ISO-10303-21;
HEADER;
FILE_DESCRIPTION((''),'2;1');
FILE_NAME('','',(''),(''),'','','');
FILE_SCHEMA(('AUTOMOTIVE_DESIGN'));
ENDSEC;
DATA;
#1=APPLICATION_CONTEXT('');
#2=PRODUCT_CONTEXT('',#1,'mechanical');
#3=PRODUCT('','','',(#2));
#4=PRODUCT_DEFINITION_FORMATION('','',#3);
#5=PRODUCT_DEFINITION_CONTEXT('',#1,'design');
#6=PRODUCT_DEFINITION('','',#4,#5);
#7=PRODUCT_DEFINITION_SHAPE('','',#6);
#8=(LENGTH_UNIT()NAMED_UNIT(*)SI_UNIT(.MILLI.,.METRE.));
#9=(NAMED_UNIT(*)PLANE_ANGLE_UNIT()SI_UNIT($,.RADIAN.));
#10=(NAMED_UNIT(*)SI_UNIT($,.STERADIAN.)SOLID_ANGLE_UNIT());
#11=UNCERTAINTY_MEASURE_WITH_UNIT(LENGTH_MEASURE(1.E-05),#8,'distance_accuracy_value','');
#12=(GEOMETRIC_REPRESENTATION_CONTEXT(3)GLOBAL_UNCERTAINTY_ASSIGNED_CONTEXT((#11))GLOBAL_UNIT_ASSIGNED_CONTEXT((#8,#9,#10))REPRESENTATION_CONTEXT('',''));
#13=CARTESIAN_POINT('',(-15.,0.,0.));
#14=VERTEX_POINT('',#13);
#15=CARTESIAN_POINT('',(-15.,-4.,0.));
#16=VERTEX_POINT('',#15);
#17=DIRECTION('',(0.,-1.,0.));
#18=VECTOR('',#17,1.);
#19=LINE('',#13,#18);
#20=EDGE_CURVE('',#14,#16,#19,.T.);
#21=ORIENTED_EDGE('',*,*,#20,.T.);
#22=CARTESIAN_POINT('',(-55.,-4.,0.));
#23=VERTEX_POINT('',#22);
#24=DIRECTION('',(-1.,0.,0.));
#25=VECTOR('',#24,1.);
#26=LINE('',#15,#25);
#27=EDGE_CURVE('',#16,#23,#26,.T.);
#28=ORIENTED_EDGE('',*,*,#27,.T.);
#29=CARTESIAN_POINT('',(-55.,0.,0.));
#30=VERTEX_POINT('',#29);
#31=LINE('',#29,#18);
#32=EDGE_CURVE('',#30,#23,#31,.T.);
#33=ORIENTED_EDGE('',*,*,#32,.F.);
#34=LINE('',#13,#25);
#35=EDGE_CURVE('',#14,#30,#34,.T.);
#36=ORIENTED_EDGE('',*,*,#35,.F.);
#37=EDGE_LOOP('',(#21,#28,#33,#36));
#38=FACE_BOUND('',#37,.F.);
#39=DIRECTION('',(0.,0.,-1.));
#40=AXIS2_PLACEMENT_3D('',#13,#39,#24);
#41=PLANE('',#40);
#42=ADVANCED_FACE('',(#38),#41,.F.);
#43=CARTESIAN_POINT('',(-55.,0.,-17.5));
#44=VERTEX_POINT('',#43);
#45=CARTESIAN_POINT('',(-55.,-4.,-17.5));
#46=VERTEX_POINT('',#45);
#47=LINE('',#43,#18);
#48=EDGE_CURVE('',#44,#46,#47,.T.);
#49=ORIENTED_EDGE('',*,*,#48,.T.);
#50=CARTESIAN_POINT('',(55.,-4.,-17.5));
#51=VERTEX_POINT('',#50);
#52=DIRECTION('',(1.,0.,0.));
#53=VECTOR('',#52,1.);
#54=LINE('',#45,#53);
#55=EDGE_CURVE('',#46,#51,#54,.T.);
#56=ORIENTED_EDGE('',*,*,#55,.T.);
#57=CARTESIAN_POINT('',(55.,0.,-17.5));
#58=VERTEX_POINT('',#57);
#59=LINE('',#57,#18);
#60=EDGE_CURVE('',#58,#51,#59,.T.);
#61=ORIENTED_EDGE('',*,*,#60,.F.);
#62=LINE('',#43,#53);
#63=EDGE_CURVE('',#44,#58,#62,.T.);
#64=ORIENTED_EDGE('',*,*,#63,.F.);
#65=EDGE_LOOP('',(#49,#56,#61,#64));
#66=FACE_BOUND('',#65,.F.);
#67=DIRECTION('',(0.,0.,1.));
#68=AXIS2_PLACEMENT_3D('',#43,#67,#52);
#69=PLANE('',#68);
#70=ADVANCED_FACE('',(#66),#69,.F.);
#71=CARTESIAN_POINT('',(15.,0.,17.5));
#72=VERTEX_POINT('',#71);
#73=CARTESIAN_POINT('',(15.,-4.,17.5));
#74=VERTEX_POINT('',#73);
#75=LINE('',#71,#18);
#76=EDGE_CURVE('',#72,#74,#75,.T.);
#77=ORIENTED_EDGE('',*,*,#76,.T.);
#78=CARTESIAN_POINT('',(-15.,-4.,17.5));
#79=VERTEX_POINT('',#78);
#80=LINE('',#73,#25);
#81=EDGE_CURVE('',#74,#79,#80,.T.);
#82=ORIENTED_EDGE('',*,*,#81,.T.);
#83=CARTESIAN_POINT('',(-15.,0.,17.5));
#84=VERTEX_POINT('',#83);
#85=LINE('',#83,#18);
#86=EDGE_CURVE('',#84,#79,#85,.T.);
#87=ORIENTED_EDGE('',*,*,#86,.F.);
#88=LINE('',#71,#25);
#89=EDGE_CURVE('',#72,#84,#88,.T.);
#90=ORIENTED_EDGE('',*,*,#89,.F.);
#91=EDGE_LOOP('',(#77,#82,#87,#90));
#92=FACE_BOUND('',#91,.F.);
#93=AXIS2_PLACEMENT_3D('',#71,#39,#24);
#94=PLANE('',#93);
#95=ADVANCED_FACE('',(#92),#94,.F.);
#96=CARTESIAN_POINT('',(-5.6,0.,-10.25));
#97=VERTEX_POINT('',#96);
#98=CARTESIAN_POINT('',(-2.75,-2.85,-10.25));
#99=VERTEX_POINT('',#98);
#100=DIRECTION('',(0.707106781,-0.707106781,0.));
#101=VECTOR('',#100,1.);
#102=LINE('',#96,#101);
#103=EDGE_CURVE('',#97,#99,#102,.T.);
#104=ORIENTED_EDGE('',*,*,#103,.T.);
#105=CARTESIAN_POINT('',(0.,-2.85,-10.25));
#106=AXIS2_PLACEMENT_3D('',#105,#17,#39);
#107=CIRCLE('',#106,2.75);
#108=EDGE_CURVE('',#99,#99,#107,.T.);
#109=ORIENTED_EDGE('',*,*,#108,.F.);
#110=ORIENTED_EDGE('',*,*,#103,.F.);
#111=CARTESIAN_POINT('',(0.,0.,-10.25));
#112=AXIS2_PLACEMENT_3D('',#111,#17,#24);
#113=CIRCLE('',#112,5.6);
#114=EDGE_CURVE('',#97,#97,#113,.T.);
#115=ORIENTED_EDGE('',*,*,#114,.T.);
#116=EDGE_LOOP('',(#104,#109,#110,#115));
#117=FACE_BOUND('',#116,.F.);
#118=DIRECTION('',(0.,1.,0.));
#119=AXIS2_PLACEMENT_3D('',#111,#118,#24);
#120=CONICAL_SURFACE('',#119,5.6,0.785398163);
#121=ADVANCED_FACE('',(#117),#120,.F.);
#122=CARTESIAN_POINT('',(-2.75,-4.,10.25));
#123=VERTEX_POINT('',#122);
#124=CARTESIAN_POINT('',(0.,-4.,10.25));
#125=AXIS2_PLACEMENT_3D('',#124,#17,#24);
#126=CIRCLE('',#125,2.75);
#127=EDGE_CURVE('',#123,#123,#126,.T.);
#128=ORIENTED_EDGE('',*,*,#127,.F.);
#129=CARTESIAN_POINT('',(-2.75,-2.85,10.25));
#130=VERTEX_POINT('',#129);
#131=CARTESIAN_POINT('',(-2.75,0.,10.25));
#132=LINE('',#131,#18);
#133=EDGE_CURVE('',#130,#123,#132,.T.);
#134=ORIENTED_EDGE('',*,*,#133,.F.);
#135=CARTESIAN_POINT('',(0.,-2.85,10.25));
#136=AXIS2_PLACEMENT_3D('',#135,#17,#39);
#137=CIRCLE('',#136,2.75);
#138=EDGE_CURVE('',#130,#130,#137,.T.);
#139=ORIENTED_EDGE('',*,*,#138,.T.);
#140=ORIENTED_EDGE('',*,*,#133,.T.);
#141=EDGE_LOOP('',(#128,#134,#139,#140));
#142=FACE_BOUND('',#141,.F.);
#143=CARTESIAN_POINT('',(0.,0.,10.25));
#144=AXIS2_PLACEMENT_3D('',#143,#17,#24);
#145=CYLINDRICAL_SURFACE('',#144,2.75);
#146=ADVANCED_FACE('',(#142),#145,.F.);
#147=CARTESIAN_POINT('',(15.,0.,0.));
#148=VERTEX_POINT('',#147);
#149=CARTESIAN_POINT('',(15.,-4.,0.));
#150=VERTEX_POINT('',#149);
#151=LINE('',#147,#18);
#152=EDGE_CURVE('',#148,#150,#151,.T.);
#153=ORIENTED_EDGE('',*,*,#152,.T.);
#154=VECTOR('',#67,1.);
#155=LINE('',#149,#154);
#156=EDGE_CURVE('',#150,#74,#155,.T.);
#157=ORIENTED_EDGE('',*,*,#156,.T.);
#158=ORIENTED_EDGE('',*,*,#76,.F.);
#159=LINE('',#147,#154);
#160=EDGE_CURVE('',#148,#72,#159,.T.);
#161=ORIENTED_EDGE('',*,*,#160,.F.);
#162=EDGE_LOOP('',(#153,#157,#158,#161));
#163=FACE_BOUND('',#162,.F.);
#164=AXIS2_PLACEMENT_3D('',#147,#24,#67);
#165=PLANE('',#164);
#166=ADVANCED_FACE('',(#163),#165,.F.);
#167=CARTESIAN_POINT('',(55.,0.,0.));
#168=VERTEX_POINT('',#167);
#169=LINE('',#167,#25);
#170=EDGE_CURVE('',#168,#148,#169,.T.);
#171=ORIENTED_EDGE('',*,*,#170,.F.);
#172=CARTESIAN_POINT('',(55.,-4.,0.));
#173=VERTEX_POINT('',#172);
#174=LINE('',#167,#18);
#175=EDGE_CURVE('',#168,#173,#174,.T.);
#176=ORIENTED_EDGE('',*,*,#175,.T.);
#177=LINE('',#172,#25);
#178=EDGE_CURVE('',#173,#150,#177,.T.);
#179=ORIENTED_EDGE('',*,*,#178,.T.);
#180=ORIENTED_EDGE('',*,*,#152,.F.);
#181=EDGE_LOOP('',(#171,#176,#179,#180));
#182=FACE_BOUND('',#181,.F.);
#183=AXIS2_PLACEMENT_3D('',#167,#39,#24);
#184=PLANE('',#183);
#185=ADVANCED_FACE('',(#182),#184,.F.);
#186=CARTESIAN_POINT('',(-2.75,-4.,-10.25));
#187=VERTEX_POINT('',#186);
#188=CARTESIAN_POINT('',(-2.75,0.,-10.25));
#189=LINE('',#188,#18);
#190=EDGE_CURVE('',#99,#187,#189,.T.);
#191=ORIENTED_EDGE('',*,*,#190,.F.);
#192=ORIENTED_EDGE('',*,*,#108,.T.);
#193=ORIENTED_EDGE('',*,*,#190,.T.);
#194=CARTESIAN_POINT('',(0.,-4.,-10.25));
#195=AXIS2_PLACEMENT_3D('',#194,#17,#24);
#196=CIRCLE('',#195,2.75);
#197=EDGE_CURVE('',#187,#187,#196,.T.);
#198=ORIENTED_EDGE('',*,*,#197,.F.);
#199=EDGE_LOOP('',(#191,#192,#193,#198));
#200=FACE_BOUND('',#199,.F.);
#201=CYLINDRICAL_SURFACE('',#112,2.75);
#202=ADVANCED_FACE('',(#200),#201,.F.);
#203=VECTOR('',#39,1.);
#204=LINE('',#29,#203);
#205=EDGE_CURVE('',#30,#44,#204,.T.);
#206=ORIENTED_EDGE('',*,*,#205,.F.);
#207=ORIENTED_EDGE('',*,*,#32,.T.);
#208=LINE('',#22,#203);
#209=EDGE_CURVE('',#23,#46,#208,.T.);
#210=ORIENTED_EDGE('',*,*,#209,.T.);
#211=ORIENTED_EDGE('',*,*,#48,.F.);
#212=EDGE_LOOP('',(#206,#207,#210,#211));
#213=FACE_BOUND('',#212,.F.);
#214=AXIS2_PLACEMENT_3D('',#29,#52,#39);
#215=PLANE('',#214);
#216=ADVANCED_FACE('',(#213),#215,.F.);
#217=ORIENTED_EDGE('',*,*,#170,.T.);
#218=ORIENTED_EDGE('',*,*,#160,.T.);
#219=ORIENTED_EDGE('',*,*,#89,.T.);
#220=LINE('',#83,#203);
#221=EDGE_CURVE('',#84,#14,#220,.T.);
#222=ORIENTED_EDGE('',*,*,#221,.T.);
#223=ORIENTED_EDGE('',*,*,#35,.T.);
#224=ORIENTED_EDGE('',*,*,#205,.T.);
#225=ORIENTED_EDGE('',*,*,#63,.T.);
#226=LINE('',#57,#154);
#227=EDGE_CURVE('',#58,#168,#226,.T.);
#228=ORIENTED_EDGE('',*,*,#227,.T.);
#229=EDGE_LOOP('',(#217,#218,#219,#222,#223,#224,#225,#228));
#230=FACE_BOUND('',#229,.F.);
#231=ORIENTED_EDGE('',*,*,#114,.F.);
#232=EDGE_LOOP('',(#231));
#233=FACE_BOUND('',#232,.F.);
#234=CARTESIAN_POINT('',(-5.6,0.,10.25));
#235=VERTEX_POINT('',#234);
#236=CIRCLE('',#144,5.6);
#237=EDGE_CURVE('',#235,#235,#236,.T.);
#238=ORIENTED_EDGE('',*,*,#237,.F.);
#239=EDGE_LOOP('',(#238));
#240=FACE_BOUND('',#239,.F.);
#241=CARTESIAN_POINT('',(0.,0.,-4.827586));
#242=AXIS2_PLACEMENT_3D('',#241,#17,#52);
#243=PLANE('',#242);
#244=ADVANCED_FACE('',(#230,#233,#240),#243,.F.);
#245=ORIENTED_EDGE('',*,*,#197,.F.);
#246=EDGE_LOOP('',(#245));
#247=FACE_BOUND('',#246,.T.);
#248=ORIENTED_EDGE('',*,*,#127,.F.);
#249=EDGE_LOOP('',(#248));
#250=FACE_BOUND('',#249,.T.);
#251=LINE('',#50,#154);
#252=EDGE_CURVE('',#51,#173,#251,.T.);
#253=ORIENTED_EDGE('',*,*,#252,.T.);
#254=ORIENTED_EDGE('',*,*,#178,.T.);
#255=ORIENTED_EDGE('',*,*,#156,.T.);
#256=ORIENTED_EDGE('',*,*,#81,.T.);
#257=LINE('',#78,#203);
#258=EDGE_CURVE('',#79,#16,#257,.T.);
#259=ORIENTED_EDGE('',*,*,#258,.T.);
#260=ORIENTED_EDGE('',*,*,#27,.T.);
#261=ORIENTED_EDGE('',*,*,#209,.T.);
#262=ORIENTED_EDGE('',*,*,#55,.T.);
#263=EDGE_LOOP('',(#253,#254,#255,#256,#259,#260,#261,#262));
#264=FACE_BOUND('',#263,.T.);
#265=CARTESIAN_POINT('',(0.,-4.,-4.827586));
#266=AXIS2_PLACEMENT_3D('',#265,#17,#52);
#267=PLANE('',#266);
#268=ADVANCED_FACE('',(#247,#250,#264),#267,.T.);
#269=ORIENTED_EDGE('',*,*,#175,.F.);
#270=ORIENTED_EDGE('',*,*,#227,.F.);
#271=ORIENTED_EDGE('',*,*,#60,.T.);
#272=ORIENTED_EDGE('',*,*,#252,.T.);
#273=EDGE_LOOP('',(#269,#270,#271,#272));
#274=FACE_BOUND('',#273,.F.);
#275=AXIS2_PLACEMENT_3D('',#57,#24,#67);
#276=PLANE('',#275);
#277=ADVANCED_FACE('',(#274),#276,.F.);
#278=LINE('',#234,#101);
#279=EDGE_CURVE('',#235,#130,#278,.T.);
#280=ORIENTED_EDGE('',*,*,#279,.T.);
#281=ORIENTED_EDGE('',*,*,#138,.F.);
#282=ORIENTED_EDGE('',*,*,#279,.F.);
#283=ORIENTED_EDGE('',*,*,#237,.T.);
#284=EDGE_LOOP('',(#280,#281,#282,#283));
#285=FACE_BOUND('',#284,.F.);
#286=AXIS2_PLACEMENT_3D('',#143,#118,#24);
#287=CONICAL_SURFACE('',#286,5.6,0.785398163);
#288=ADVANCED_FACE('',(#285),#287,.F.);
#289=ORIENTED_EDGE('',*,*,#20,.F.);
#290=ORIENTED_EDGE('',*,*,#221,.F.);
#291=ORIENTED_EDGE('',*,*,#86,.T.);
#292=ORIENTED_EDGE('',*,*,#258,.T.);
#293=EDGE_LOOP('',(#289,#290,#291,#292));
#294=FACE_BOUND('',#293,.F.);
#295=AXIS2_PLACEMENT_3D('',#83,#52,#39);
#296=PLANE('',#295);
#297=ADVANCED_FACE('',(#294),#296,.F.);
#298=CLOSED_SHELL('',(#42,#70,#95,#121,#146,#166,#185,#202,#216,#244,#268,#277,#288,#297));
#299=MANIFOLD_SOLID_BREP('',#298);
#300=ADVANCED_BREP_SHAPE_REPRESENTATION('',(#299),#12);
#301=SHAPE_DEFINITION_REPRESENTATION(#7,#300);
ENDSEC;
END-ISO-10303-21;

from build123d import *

# Parameters (mm, degrees)
F1_DEPTH       = 4
F2_D           = 5.5
F2_CSINK_D     = 11.2
F2_CSINK_ANGLE = 90


with BuildPart() as f1:
    # F0 (on Front) → F1 (new body)
    with BuildSketch(Plane.XZ):
        Polygon((15, 0), (15, 17.5), (-15, 17.5), (-15, 0), (-55, 0), (-55, -17.5), (55, -17.5), (55, 0), align=None)
    extrude(amount=F1_DEPTH)

    # F2 (through all)
    with Locations(Plane(origin=(0, 0, 0), x_dir=(1, 0, 0), z_dir=(0, 1, 0))):
        with Locations((0, -10.25), (0, 10.25)):
            CounterSinkHole(F2_D / 2, F2_CSINK_D / 2, counter_sink_angle=F2_CSINK_ANGLE)


solid = f1.part
